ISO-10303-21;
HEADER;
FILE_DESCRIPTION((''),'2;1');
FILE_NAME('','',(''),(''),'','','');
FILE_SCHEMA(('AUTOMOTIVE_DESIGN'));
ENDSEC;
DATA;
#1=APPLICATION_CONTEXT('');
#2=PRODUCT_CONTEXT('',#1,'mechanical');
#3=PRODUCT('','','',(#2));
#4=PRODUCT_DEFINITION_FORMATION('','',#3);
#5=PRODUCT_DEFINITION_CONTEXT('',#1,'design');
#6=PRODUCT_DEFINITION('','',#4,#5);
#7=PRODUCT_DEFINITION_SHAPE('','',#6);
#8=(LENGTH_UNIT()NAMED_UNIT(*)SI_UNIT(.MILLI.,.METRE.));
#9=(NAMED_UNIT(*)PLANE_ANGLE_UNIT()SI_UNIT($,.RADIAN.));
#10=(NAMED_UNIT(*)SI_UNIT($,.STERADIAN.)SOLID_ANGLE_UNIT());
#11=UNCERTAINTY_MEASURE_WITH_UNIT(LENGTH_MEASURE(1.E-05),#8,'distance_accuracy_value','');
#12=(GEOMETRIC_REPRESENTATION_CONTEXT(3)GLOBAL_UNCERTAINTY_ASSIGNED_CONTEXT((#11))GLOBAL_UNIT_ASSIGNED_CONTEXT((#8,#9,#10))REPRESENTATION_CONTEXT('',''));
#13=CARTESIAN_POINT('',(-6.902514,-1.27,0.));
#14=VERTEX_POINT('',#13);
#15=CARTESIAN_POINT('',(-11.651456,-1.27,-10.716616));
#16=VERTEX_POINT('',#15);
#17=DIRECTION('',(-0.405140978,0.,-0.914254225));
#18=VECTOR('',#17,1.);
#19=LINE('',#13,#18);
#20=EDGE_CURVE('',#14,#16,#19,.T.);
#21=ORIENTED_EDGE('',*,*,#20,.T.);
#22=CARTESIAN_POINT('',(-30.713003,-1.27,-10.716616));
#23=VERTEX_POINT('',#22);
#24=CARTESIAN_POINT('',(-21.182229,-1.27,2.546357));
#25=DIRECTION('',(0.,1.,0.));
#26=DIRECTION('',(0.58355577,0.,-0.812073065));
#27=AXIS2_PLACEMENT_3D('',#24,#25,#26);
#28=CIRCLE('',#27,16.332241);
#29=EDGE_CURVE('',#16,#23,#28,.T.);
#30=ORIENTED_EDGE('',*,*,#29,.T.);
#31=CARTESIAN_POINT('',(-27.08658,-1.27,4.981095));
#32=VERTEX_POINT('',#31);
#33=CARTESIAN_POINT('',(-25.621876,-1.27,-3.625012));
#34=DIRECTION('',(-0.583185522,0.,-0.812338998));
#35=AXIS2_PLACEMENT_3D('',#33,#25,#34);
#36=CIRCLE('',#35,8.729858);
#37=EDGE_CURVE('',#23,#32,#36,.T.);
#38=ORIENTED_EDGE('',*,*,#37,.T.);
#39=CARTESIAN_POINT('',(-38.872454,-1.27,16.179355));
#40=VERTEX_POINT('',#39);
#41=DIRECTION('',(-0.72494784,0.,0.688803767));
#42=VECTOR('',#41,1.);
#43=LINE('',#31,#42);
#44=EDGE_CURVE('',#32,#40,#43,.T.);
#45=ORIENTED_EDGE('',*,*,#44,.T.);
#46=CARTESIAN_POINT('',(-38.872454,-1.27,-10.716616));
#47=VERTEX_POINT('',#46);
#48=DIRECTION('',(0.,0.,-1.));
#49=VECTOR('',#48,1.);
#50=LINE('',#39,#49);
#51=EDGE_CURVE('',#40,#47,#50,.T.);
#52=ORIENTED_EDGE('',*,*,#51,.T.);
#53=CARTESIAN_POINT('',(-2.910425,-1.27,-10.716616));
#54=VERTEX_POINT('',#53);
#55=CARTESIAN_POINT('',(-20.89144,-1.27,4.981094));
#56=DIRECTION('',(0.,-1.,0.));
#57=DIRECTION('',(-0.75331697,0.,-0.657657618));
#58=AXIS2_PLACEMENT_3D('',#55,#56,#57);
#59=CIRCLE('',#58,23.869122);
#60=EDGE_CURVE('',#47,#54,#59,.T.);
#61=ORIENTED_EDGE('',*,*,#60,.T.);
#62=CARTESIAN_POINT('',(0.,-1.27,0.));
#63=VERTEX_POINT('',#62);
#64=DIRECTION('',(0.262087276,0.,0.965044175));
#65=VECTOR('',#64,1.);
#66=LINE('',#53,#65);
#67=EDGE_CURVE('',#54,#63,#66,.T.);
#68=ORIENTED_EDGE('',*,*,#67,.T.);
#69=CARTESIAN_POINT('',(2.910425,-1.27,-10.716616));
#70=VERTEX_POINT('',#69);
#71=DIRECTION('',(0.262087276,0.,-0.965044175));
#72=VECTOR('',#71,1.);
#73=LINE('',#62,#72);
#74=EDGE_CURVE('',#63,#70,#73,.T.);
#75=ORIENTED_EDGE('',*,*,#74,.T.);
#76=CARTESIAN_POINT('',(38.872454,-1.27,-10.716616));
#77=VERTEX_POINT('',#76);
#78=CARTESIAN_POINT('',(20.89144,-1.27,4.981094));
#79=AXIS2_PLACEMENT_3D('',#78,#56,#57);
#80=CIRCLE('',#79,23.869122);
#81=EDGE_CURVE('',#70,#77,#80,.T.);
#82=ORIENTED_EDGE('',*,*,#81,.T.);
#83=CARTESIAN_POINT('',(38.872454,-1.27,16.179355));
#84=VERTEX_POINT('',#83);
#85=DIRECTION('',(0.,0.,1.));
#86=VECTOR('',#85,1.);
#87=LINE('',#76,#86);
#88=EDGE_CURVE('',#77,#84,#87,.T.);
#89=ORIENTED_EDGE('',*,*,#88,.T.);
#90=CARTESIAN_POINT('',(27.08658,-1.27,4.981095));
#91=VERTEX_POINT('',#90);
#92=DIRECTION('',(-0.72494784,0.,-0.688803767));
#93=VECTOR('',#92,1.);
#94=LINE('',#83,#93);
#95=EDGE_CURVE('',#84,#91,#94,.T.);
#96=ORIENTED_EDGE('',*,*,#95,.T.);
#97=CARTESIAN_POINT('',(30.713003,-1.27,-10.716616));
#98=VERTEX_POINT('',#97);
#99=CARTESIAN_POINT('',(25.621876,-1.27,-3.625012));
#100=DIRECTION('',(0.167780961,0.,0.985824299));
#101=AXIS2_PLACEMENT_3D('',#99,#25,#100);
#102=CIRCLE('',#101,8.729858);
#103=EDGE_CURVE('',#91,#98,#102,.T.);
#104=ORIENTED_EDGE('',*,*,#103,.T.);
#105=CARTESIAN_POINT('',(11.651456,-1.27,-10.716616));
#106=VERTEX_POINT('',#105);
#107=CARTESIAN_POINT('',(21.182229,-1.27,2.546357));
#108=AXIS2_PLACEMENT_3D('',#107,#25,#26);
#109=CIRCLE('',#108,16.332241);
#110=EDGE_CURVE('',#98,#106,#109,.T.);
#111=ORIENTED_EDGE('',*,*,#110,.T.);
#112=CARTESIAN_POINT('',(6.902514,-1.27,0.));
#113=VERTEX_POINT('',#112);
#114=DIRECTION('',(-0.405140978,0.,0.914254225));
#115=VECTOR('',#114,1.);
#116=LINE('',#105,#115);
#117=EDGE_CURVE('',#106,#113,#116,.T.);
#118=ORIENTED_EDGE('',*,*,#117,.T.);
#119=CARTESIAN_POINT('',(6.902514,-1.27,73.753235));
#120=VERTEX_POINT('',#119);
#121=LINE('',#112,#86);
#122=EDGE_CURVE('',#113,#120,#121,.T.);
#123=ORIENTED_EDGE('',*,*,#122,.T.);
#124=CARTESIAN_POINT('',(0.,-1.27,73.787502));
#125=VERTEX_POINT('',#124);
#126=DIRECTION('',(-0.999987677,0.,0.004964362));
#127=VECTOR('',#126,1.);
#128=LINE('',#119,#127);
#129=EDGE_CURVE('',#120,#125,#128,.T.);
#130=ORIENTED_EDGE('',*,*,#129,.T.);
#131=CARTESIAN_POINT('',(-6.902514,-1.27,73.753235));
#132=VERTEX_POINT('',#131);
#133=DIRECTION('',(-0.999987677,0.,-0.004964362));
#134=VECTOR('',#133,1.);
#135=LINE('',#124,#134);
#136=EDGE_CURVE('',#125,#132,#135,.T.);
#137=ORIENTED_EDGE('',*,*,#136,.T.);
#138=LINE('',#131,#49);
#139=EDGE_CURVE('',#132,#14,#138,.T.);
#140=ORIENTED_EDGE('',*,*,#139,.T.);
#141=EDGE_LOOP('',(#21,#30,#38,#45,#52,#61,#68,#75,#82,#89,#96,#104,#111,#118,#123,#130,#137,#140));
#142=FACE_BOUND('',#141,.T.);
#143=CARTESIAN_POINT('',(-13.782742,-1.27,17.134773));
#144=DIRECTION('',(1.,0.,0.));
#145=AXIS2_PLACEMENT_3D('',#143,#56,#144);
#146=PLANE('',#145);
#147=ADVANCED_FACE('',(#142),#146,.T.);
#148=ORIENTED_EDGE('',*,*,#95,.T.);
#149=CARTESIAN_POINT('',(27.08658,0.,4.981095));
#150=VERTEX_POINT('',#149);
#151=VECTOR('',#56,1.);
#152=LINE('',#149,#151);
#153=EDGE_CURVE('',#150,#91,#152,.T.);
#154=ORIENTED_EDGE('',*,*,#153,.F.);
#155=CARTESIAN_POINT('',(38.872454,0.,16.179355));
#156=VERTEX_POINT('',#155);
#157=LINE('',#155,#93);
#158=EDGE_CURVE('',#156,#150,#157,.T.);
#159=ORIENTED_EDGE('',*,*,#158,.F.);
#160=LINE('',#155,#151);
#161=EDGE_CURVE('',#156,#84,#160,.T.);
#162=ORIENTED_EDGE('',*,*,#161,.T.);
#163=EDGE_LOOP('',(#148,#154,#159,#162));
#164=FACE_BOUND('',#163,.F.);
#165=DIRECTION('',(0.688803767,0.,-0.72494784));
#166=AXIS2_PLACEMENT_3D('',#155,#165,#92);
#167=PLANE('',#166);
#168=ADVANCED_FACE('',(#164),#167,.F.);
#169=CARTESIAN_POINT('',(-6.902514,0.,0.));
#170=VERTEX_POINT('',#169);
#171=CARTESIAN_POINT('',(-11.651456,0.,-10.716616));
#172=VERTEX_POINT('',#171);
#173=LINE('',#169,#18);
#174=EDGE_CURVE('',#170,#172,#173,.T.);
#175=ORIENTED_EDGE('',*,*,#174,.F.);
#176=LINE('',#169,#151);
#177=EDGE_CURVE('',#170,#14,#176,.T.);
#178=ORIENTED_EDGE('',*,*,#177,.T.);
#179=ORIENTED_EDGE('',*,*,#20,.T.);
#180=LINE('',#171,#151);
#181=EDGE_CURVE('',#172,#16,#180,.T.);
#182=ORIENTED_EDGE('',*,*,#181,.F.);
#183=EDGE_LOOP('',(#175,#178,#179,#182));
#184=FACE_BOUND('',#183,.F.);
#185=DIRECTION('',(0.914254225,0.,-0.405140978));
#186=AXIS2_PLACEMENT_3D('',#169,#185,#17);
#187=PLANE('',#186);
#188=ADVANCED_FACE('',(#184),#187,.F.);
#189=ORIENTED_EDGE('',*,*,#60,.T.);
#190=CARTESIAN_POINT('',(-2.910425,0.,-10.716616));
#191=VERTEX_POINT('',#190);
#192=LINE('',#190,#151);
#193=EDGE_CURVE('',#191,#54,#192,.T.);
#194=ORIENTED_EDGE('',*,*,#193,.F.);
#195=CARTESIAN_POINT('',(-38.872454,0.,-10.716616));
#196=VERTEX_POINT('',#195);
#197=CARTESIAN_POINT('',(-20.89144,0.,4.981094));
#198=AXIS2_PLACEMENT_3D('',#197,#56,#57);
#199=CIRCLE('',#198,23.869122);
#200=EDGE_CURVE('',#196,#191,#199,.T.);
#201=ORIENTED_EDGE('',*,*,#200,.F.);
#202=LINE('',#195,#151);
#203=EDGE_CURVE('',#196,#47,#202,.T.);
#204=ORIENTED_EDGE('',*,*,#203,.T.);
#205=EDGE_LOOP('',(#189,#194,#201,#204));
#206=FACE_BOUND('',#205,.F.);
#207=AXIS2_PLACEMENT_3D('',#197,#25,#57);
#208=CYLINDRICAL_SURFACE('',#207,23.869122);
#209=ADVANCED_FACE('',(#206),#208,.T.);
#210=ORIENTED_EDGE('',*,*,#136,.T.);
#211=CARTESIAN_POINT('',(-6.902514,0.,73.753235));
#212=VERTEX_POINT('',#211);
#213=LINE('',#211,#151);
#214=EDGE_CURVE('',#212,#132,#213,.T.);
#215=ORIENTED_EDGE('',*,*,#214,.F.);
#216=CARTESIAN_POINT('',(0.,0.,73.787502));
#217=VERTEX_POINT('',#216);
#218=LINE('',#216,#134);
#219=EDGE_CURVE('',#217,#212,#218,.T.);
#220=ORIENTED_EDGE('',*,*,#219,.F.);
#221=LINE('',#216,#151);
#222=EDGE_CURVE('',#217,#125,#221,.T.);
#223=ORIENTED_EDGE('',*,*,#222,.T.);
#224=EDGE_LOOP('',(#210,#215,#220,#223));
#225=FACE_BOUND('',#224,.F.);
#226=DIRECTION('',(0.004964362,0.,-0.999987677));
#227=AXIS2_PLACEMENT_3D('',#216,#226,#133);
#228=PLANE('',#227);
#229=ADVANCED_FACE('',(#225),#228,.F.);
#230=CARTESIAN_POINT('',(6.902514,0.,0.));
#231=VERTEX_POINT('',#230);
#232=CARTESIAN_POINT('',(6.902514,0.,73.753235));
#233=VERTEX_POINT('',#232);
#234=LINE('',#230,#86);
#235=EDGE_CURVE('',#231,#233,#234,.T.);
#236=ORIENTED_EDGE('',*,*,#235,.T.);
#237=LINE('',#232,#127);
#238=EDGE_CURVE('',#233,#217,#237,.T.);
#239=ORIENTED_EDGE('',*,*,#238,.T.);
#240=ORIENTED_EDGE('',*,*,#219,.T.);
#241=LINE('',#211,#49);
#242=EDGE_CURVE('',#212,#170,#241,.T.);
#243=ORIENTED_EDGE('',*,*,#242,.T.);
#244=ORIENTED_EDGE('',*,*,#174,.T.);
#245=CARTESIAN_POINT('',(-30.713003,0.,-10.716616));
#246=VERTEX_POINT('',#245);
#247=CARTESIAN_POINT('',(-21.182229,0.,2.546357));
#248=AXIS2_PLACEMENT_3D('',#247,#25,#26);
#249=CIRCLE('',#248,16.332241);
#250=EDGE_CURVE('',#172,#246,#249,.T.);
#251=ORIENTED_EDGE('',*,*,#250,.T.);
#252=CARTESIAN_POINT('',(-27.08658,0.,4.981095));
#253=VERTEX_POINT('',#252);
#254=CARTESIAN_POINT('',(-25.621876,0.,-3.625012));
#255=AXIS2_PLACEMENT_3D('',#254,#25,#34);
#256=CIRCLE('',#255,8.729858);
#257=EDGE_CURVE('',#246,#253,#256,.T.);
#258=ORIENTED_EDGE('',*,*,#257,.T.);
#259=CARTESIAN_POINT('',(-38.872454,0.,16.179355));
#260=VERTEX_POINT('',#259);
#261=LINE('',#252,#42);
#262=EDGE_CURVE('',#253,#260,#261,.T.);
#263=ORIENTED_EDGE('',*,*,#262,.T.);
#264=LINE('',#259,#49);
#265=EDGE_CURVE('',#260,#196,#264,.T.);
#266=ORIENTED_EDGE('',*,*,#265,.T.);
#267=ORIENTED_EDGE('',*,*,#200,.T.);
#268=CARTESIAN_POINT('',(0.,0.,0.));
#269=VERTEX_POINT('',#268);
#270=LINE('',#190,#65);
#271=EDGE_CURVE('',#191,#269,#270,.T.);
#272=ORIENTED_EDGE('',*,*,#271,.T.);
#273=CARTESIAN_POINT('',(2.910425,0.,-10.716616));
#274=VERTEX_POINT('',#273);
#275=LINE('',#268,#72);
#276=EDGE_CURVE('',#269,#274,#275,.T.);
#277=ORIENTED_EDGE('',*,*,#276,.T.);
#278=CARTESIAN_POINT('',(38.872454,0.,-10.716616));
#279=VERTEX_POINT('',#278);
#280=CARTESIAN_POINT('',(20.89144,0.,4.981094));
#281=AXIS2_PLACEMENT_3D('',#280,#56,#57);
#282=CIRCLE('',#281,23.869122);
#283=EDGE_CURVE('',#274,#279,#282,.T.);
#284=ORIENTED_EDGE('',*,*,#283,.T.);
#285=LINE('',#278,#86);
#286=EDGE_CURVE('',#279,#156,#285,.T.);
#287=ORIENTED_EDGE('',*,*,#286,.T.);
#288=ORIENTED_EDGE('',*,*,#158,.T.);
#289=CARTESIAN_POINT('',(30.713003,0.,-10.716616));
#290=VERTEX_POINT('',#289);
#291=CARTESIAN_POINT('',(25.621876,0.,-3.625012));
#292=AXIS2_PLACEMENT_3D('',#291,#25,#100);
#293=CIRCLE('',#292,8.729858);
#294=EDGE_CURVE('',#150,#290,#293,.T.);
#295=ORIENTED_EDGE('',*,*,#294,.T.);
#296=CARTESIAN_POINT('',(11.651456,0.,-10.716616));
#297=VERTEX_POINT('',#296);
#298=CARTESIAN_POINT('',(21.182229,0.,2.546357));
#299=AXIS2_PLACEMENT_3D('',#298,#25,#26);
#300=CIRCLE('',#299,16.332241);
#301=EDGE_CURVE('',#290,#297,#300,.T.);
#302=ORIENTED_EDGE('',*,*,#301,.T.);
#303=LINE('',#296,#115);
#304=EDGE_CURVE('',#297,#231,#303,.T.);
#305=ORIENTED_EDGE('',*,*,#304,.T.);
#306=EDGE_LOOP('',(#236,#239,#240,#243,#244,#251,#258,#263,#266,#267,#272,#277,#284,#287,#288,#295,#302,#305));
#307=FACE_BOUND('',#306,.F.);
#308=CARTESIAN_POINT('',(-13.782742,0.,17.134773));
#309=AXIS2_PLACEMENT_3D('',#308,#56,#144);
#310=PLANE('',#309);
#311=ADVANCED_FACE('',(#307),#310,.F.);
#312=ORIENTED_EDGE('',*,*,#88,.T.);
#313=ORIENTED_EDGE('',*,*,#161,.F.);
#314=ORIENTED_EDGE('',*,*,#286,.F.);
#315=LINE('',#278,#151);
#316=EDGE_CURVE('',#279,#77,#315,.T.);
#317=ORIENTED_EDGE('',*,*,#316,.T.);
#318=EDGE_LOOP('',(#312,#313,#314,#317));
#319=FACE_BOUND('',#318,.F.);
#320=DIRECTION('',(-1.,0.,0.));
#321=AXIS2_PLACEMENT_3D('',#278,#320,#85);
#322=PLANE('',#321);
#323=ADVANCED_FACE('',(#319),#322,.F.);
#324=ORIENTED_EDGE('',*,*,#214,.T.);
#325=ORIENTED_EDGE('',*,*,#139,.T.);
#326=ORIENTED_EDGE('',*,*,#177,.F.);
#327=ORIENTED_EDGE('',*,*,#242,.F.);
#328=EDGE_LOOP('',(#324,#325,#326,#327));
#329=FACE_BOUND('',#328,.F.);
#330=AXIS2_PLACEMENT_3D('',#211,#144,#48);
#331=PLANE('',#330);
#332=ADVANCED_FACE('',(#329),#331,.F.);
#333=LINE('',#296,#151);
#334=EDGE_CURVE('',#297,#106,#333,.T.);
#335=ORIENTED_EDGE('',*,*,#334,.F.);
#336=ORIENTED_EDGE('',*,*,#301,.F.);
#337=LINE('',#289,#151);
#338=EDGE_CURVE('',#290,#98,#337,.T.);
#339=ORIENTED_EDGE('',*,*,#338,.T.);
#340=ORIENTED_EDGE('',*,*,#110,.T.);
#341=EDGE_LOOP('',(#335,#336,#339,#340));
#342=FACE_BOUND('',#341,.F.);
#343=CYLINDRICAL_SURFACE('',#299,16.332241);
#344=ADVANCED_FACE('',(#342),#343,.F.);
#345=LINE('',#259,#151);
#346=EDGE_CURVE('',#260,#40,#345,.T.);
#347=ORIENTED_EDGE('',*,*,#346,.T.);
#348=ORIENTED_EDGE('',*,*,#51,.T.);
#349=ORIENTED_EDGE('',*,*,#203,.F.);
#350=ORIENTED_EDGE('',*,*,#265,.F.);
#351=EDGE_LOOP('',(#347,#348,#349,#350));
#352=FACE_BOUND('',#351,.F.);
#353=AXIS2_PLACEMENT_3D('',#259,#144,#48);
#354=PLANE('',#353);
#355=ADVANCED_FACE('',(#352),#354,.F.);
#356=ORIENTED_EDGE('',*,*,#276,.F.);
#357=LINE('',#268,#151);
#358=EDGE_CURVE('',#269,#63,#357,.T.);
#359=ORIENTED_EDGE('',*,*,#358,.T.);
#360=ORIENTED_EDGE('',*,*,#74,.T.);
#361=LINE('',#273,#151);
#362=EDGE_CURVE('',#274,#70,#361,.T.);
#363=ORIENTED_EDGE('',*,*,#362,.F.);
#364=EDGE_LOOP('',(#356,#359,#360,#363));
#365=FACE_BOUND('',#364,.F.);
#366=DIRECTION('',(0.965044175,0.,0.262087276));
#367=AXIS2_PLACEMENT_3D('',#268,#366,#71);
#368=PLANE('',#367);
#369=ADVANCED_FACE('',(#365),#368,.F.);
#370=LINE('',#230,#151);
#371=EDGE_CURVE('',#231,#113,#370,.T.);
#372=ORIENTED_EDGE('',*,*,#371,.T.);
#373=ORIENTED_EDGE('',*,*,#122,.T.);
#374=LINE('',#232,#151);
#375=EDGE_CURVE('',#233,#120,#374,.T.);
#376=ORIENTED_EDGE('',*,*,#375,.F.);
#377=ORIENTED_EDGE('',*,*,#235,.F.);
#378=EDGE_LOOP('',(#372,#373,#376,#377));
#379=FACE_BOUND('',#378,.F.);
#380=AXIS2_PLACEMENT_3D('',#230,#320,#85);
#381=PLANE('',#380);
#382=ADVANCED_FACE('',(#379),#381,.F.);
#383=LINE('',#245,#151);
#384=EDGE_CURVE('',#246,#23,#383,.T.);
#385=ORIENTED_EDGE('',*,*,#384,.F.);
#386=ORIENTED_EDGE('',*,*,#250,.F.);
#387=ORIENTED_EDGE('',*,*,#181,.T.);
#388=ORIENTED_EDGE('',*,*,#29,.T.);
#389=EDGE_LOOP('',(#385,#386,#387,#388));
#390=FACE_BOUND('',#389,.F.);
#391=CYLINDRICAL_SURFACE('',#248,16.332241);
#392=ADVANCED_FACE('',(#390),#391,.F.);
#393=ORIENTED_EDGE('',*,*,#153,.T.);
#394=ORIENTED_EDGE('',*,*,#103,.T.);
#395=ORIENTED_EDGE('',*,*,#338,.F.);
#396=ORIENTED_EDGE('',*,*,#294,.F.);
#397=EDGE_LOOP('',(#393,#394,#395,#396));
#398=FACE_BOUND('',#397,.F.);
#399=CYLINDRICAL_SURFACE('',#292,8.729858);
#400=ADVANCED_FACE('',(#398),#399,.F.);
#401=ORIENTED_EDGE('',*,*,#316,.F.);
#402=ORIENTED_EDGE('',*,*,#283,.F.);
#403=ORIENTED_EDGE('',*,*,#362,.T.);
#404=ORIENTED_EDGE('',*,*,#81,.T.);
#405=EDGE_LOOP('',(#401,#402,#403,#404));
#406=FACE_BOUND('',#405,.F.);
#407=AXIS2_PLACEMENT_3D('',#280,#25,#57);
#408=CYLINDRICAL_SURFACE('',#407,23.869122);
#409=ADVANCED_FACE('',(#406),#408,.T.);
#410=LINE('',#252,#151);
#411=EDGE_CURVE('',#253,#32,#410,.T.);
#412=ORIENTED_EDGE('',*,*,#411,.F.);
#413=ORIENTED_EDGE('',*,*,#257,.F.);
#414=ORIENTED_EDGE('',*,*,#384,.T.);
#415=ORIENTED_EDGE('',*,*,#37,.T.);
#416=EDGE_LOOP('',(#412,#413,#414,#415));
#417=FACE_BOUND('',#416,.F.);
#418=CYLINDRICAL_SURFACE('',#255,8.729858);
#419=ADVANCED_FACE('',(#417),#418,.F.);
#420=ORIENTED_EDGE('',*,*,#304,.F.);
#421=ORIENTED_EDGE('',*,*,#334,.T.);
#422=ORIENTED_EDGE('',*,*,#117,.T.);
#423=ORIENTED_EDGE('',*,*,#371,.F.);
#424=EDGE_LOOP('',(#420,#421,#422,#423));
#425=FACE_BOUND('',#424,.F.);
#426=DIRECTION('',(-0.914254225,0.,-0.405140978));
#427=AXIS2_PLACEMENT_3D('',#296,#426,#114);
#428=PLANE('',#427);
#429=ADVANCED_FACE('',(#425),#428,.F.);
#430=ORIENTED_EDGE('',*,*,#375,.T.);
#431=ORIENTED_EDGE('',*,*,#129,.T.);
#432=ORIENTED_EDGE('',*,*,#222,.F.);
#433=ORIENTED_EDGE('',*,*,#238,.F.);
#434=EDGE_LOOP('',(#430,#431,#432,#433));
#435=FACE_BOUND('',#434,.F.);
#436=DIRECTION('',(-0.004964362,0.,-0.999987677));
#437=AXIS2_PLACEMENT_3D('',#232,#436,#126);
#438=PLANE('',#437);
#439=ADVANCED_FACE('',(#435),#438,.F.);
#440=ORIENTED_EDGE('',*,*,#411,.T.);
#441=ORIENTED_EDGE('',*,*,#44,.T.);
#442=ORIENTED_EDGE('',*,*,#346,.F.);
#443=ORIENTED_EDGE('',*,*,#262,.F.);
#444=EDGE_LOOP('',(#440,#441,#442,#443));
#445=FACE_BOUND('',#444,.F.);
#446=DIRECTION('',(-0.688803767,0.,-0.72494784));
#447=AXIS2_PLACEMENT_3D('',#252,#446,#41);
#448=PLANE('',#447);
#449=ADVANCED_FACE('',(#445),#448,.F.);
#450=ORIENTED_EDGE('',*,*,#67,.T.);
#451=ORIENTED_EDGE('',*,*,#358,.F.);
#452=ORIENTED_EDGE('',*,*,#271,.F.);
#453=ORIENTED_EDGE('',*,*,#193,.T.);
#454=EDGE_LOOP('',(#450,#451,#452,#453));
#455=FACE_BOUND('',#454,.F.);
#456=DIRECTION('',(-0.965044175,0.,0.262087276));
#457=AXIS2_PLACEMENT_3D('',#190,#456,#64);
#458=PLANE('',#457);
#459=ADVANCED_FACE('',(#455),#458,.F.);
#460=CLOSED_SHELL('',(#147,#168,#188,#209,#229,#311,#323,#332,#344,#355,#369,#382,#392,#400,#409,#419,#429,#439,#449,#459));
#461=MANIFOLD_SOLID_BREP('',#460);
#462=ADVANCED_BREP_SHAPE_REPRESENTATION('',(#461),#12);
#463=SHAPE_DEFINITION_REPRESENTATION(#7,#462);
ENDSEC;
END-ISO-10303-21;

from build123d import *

# Parameters (mm, degrees)
F1_DEPTH = 1.27


with BuildPart() as f1:
    # F0 (on Front) → F1 (new body)
    with BuildSketch(Plane.XZ):
        with BuildLine():
            Line((-2.910425, -10.716616), (0, 0))
            Line((0, 0), (0, 73.787502))
            Line((0, 73.787502), (-6.902514, 73.753235))
            Line((-6.902514, 73.753235), (-6.902514, 0))
            Line((-6.902514, 0), (-11.651456, -10.716616))
            ThreePointArc((-11.651456, -10.716616), (-21.18223, -13.785884), (-30.713003, -10.716616))
            ThreePointArc((-30.713003, -10.716616), (-34.127713, -1.660027), (-27.08658, 4.981095))
            Line((-27.08658, 4.981095), (-38.872454, 16.179355))
            Line((-38.872454, 16.179355), (-38.872454, -10.716616))
            ThreePointArc((-38.872454, -10.716616), (-20.89144, -18.888028), (-2.910425, -10.716616))
        make_face()
        with BuildLine():
            Line((0, 73.787502), (0, 0))
            Line((0, 0), (2.910425, -10.716616))
            ThreePointArc((2.910425, -10.716616), (20.89144, -18.888028), (38.872454, -10.716616))
            Line((38.872454, -10.716616), (38.872454, 16.179355))
            Line((38.872454, 16.179355), (27.08658, 4.981095))
            ThreePointArc((27.08658, 4.981095), (34.127713, -1.660027), (30.713003, -10.716616))
            ThreePointArc((30.713003, -10.716616), (21.18223, -13.785884), (11.651456, -10.716616))
            Line((11.651456, -10.716616), (6.902514, 0))
            Line((6.902514, 0), (6.902514, 73.753235))
            Line((6.902514, 73.753235), (0, 73.787502))
        make_face()
    extrude(amount=F1_DEPTH)


solid = f1.part
